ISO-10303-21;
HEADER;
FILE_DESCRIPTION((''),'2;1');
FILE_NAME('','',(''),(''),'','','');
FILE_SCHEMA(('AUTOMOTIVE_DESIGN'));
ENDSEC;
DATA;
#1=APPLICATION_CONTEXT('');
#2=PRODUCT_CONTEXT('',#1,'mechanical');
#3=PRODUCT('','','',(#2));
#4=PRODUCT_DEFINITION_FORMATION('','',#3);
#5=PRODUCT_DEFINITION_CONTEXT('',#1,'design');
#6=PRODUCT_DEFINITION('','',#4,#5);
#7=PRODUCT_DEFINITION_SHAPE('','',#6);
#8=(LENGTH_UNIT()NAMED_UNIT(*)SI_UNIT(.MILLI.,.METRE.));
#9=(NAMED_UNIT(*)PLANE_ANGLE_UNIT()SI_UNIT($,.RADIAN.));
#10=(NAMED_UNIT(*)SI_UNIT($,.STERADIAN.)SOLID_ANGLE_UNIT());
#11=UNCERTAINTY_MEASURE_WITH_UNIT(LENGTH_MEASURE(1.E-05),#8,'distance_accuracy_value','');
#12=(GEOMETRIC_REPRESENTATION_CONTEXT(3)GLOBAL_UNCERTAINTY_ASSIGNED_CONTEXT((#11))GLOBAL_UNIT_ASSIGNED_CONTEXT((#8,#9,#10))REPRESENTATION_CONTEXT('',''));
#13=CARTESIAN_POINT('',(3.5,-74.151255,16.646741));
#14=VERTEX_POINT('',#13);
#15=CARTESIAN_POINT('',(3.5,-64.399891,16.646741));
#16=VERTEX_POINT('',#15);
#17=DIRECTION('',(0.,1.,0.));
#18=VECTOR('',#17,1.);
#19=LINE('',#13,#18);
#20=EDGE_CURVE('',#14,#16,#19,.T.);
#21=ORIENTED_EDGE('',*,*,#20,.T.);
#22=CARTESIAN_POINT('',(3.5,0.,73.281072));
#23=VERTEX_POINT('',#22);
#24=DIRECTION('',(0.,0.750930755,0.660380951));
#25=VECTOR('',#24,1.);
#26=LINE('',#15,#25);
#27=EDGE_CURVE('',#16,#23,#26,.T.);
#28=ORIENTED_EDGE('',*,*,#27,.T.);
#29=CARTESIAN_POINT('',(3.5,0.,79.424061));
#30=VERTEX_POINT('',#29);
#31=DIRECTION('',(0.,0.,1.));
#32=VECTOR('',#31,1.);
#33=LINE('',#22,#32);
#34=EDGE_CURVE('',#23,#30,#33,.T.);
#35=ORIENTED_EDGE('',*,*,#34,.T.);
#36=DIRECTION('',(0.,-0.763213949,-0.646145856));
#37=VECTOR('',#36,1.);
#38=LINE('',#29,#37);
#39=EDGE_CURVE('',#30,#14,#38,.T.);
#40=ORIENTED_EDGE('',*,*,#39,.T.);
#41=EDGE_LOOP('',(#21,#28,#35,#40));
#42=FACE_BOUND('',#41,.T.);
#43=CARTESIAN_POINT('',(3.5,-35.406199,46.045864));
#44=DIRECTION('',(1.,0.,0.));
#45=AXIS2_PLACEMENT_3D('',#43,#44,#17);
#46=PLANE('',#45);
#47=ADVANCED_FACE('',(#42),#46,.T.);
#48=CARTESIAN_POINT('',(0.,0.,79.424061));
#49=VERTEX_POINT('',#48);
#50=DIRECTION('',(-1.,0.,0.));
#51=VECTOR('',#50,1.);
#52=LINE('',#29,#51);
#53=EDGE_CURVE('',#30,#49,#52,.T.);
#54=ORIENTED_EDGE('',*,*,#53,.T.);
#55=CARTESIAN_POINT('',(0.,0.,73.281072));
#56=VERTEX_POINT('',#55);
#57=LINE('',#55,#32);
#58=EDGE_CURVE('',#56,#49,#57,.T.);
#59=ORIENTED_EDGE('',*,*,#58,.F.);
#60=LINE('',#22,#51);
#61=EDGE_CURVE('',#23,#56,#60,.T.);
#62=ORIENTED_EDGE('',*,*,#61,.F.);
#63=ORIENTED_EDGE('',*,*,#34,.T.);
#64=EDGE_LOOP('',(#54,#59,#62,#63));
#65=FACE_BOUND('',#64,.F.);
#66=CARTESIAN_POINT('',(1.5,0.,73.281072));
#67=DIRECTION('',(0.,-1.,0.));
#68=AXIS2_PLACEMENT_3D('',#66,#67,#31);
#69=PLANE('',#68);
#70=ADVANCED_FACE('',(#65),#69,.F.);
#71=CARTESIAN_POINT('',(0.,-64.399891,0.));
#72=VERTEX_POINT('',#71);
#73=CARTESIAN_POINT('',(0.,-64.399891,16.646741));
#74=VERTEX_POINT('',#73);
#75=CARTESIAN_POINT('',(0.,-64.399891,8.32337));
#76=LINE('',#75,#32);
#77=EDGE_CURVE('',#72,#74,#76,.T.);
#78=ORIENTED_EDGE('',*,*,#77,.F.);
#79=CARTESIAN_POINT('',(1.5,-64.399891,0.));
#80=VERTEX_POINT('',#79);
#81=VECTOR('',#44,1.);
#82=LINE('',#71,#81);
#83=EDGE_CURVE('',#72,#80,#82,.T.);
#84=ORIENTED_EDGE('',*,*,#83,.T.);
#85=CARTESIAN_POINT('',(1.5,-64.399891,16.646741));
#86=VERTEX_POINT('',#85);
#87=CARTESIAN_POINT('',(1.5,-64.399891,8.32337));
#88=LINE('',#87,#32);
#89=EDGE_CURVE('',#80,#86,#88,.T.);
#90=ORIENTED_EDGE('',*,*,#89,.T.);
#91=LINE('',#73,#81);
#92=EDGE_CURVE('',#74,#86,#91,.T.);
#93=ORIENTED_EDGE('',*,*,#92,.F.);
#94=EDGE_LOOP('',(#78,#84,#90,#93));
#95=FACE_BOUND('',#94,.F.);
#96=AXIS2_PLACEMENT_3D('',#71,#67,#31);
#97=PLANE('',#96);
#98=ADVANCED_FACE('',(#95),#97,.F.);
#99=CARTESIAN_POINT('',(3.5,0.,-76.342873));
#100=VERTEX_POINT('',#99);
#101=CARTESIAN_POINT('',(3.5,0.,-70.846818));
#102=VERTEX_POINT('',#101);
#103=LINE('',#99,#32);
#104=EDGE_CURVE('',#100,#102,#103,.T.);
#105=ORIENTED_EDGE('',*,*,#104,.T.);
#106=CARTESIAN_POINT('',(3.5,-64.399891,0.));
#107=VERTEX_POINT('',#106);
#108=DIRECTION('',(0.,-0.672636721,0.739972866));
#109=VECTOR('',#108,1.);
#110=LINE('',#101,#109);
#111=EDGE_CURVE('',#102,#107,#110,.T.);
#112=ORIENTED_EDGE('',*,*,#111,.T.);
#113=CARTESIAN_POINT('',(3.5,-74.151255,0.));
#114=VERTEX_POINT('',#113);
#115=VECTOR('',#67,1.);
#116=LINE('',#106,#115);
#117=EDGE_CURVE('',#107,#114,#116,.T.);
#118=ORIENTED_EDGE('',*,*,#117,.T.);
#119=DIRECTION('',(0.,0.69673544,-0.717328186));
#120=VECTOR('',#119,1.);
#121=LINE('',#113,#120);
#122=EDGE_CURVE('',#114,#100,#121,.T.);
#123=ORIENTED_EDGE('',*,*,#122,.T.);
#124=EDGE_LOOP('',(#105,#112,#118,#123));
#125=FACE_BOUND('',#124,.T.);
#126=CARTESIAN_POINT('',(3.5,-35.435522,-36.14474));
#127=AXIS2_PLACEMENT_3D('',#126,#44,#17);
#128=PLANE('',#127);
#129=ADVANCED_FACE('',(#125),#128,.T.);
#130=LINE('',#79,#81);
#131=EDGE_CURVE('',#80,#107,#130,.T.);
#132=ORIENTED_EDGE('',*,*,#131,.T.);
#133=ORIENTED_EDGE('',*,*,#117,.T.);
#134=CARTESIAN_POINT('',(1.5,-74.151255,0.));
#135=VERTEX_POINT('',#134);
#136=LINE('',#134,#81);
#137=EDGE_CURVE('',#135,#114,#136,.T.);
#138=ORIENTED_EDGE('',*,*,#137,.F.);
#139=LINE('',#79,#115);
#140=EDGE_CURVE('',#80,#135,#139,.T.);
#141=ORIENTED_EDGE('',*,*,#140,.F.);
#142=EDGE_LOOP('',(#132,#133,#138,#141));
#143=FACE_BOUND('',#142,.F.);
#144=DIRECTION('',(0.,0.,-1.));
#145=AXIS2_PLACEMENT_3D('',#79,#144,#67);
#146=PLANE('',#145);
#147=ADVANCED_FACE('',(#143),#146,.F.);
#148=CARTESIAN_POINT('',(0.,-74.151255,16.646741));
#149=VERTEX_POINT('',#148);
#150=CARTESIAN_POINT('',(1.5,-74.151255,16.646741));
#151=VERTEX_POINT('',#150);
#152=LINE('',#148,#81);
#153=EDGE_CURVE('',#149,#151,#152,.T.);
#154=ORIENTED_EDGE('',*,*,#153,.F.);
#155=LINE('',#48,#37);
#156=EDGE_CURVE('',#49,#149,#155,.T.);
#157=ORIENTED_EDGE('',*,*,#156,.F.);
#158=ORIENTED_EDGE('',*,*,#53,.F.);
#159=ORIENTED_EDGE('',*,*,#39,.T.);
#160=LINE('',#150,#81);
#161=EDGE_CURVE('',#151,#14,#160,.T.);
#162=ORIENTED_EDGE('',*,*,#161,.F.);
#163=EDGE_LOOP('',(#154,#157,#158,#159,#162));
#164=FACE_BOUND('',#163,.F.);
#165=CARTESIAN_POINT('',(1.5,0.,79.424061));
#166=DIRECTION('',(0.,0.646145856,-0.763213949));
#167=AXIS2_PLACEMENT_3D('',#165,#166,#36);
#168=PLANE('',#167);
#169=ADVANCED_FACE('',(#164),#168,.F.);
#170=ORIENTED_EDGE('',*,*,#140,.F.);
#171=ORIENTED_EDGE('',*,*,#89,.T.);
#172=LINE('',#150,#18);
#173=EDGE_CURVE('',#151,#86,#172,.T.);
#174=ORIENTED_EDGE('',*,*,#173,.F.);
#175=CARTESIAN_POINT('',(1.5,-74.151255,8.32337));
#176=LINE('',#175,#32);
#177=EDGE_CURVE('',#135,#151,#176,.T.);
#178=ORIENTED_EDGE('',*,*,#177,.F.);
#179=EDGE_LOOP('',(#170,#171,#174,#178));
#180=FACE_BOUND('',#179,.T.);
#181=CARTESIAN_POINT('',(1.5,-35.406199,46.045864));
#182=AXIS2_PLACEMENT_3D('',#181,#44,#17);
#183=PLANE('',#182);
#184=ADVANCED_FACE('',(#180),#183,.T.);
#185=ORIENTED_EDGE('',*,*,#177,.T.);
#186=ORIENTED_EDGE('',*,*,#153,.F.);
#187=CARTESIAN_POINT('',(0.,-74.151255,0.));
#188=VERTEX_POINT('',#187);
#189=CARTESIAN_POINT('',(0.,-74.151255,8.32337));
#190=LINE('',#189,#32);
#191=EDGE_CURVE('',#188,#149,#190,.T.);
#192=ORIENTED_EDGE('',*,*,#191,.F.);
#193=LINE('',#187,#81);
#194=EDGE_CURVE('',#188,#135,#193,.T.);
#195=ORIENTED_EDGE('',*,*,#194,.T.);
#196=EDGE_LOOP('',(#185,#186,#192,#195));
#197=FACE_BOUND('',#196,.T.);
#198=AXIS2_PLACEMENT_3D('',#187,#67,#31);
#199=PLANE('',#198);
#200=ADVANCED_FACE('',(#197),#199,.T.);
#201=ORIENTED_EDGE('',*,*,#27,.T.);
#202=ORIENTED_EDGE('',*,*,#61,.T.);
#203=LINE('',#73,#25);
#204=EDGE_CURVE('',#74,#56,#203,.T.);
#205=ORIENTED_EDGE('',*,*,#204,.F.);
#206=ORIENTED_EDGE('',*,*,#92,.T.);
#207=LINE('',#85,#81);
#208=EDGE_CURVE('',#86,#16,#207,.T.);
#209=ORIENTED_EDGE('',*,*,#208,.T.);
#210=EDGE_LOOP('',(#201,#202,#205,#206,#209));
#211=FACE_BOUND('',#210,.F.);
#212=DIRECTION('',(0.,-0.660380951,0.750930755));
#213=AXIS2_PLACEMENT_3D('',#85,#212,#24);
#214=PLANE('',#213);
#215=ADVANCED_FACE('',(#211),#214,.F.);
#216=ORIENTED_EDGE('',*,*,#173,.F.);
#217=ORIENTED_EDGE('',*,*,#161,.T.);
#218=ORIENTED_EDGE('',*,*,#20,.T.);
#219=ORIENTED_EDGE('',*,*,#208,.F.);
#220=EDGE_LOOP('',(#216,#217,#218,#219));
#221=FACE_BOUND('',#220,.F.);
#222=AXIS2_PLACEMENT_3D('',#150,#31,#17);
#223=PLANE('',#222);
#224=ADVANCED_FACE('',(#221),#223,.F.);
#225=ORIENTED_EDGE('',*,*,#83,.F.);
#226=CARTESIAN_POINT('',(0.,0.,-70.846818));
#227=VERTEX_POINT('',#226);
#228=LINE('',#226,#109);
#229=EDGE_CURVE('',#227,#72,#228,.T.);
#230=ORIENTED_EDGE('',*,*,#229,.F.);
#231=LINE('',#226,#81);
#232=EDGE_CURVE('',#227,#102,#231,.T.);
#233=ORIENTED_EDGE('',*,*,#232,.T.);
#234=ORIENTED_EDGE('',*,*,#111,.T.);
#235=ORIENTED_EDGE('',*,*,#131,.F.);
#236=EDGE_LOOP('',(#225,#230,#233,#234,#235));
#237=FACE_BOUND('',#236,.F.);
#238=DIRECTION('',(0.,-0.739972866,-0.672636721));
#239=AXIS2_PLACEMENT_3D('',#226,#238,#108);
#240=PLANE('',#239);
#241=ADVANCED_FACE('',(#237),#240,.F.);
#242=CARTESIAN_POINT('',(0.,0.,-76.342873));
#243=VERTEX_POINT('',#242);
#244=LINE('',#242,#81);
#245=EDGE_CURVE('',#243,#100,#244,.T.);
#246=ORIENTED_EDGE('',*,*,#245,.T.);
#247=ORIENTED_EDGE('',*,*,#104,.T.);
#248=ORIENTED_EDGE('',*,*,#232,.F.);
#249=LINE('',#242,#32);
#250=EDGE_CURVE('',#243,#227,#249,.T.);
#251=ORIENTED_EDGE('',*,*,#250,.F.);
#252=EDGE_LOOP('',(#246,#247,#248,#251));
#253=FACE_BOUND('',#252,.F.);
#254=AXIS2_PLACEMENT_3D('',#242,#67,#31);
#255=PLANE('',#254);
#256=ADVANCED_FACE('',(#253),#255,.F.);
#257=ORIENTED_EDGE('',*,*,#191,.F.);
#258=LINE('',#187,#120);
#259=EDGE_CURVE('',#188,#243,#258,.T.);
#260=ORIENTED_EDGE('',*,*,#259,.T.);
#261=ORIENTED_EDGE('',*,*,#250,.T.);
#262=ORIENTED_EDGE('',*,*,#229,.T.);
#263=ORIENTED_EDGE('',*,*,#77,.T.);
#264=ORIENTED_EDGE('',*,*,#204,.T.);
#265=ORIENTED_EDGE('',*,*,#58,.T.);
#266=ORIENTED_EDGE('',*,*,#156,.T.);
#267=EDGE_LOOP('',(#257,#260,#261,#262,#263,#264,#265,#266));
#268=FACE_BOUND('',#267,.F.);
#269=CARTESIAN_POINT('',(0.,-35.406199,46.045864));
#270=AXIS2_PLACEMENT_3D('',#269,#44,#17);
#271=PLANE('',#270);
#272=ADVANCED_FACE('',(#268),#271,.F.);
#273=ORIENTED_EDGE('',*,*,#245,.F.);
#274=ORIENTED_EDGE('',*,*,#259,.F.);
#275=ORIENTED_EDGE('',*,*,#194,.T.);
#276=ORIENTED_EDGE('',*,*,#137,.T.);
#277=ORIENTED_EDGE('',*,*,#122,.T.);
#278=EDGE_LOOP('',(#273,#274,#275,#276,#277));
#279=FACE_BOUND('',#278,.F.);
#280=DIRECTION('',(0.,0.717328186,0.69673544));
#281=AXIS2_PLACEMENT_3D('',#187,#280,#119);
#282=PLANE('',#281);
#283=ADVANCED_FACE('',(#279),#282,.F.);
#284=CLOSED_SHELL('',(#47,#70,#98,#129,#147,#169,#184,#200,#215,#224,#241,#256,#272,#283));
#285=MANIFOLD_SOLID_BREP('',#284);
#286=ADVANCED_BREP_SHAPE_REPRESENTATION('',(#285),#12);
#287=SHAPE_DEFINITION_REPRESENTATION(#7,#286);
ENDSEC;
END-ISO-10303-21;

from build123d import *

# Parameters (mm, degrees)
F0_W     = 9.7513645887
F0_H     = 16.6467409581
F1_DEPTH = 1.5
F3_DEPTH = 2


with BuildPart() as f1:
    # F0 (on Right) → F1 (new body)
    with BuildSketch(Plane.YZ):
        Polygon((0, 73.2810720801), (0, 79.4240608811), (-74.1512551904, 16.6467409581), (-64.3998906016, 16.6467409581), align=None)
        Polygon((-64.3998906016, 0), (-74.1512551904, 0), (0, -76.3428732753), (0, -70.8468183875), align=None)
        with Locations((-69.275572896, 8.323370479)):
            Rectangle(F0_W, F0_H)
    extrude(amount=F1_DEPTH)

    # F2 (on face) → F3 (join)
    with BuildSketch(Plane.YZ.offset(1.5)):
        Polygon((0, 79.4240608811), (-74.1512551904, 16.6467409581), (-64.3998906016, 16.6467409581), (0, 73.2810720801), align=None)
        Polygon((-64.3998906016, 0), (-74.1512551904, 0), (0, -76.3428732753), (0, -70.8468183875), align=None)
    extrude(amount=F3_DEPTH)


solid = f1.part
